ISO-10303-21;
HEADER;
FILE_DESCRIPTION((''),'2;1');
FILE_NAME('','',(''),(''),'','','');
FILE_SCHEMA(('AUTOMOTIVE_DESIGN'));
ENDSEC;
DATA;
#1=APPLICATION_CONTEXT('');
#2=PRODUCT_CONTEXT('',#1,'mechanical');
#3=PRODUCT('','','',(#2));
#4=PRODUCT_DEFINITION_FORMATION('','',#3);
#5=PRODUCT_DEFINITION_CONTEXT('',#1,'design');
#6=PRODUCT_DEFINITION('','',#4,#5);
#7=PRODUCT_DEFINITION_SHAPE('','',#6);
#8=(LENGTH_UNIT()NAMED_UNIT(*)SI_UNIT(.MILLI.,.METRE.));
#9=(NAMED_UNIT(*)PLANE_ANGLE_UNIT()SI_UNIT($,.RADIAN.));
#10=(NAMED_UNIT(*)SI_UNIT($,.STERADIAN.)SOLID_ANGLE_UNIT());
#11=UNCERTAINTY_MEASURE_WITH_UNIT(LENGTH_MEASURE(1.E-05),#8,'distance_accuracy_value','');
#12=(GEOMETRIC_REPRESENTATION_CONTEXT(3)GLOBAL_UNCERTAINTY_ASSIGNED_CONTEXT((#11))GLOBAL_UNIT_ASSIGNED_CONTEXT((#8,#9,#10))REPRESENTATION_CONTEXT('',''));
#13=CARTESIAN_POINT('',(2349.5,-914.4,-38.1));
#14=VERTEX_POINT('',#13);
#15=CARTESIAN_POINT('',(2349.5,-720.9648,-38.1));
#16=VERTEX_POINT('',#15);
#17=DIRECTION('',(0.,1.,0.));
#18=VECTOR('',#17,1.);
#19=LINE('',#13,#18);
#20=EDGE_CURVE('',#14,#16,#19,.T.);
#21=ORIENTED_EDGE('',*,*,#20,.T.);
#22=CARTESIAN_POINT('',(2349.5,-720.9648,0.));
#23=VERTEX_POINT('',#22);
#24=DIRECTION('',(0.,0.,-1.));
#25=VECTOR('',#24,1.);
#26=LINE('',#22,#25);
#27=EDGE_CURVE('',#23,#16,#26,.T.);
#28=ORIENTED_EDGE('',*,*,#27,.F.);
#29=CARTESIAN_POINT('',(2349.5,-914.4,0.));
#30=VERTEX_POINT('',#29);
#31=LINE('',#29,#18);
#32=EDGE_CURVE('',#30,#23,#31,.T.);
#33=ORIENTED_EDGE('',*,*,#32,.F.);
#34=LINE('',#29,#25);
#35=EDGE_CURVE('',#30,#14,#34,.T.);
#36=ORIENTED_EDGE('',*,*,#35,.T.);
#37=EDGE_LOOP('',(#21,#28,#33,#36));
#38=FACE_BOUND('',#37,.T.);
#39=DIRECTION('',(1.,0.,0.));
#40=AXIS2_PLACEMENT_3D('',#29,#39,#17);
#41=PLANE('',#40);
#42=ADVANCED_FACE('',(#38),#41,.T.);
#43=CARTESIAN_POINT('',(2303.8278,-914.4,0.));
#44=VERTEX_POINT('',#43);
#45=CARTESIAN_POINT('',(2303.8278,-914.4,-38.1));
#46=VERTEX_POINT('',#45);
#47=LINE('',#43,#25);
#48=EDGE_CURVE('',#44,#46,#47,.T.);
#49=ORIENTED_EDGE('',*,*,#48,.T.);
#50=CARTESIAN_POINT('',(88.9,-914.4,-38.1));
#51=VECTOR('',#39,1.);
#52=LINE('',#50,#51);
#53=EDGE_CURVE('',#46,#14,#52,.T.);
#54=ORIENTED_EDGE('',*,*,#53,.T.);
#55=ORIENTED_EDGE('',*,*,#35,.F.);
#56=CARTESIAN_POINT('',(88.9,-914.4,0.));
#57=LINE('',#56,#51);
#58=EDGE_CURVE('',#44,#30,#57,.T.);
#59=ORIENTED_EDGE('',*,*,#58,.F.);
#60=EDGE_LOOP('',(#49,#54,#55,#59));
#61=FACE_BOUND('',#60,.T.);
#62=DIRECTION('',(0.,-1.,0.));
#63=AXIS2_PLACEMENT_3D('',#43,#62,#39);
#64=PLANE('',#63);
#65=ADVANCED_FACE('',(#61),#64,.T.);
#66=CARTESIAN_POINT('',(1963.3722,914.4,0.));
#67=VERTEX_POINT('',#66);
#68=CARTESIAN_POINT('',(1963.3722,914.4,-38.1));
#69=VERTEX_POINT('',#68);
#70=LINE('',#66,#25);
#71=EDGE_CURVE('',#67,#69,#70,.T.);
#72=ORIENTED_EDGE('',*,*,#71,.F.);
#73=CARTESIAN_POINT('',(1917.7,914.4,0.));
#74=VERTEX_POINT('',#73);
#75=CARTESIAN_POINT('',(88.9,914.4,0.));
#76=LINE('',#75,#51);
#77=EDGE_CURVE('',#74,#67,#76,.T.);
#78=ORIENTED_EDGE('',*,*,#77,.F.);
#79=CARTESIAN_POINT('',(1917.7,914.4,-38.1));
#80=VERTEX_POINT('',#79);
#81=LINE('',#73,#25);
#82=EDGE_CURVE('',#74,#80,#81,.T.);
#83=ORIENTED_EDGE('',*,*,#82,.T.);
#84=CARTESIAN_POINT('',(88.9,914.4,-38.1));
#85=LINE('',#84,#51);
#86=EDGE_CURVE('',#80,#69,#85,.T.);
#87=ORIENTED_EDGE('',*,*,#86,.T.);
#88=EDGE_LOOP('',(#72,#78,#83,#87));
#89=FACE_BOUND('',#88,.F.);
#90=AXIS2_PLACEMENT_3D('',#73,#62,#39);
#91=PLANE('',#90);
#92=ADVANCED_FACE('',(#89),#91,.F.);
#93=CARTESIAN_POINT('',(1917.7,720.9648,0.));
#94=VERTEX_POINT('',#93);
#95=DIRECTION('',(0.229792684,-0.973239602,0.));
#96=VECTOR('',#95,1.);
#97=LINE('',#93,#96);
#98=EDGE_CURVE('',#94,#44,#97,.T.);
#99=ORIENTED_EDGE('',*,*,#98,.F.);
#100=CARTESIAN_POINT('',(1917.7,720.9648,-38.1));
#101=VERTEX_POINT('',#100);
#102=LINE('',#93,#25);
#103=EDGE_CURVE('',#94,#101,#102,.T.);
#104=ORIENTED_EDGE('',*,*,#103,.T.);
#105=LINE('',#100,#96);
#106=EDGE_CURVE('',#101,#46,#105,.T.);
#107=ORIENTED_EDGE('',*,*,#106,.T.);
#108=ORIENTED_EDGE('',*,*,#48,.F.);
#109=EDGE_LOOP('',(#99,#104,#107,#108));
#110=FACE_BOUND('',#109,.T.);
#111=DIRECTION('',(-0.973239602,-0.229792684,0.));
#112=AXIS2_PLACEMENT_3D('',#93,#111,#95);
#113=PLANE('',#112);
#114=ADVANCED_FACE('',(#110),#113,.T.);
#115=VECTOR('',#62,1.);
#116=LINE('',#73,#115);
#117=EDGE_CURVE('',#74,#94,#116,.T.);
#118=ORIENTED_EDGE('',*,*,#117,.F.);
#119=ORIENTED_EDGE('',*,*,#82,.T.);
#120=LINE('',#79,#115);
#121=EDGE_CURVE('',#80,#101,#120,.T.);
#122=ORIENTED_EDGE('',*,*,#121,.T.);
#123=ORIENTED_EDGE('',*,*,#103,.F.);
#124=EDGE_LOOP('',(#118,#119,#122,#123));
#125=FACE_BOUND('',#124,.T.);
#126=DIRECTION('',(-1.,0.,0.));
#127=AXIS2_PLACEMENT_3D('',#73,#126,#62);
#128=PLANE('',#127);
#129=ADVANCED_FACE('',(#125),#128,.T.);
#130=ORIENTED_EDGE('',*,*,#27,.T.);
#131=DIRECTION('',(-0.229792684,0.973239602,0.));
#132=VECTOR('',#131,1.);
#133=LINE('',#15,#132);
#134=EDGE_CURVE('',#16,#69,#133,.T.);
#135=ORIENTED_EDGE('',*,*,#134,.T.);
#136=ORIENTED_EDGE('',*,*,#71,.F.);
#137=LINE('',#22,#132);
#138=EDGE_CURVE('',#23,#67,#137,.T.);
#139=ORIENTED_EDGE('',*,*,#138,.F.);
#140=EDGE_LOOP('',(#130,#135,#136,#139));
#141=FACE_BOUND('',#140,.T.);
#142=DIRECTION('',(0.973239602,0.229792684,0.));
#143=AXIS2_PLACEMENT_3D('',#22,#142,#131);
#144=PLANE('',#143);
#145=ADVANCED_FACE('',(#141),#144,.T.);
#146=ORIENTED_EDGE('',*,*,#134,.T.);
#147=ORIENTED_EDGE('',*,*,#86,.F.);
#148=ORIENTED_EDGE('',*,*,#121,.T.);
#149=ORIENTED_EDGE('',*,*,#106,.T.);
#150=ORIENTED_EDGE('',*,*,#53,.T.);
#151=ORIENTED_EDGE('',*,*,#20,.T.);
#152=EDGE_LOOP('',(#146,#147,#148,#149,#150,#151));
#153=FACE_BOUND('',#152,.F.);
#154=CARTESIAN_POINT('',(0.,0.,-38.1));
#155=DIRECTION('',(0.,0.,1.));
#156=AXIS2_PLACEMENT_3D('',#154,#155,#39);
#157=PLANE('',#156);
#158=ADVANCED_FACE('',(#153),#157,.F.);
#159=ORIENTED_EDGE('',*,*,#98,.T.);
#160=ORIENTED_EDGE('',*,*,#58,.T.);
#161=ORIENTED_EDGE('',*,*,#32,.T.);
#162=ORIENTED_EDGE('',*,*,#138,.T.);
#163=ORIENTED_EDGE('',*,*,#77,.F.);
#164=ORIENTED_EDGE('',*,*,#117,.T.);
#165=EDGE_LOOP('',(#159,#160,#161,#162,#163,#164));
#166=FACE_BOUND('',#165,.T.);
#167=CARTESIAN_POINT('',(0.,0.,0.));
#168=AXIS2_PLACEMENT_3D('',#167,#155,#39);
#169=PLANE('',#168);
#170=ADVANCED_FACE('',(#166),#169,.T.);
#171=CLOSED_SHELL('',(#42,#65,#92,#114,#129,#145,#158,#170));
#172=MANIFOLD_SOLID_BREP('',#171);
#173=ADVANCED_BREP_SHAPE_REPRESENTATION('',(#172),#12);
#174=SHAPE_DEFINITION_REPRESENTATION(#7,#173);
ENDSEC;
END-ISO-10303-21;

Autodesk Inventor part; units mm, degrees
ref_plane "YZ Plane" through (0, 0, 0) normal (1, 0, 0) x (0, 1, 0)
ref_plane "XZ Plane" through (0, 0, 0) normal (0, 1, 0) x (-1, 0, 0)
ref_plane "XY Plane" through (0, 0, 0) normal (0, 0, 1) x (1, 0, 0)
sketch "Sketch1" plane through (0, 0, 0) normal (0, 0, 1) x (1, 0, 0)
  line L0 (88.9, 914.4) -> (2349.5, 914.4) projected
  line L1 (88.9, -914.4) -> (88.9, 914.4) projected
  line L2 (88.9, -914.4) -> (2349.5, -914.4) projected
  line L3 (520.7, -914.4) -> (520.7, 914.4) projected
  line L4 (2349.5, -914.4) -> (2349.5, 914.4) projected
  line L5 (1917.7, 914.4) -> (1917.7, -914.4) projected
  line L6 (520.7, 743.6248) -> (520.7, -914.4)
  line L7 (88.9, -720.9648) -> (88.9, 914.4)
  line L8 (1917.7, 720.9648) -> (2303.8278, -914.4)
  line L9 (2349.5, -720.9648) -> (1963.3722, 914.4)
  line L10 (88.9, 914.4) -> (520.7, 914.4)
  line L11 (88.9, 914.4) -> (520.7, 914.4)
  line L12 (2303.8278, -914.4) -> (2349.5, -914.4)
  line L13 (2349.5, -720.9648) -> (2349.5, -914.4)
  line L14 (1917.7, 720.9648) -> (1917.7, 914.4)
  line L15 (1917.7, 914.4) -> (1963.3722, 914.4)
  line L16 (520.7, -914.4) -> (88.9, -914.4)
  line L17 (88.9, -914.4) -> (88.9, -720.9648)
  line L18 (88.9, 914.4) -> (520.7, 914.4)
  line L19 (520.7, 738.408) -> (520.7, 914.4)
  line L20 (1917.7, 914.4) -> (2349.5, -914.4)
  line L21 (2306.2395, -924.6143) -> (2392.7605, -904.1857)
  line L22 (1874.4395, 904.1857) -> (1960.9605, 924.6143)
  point P0 (0, 0)
extrude "Extrusion1" add sketch "Sketch1" against normal blind 38.1 contours L20 L2 L8 L5 | L0 L9 L4 L20
properties part number "S_2x4x73.980"
